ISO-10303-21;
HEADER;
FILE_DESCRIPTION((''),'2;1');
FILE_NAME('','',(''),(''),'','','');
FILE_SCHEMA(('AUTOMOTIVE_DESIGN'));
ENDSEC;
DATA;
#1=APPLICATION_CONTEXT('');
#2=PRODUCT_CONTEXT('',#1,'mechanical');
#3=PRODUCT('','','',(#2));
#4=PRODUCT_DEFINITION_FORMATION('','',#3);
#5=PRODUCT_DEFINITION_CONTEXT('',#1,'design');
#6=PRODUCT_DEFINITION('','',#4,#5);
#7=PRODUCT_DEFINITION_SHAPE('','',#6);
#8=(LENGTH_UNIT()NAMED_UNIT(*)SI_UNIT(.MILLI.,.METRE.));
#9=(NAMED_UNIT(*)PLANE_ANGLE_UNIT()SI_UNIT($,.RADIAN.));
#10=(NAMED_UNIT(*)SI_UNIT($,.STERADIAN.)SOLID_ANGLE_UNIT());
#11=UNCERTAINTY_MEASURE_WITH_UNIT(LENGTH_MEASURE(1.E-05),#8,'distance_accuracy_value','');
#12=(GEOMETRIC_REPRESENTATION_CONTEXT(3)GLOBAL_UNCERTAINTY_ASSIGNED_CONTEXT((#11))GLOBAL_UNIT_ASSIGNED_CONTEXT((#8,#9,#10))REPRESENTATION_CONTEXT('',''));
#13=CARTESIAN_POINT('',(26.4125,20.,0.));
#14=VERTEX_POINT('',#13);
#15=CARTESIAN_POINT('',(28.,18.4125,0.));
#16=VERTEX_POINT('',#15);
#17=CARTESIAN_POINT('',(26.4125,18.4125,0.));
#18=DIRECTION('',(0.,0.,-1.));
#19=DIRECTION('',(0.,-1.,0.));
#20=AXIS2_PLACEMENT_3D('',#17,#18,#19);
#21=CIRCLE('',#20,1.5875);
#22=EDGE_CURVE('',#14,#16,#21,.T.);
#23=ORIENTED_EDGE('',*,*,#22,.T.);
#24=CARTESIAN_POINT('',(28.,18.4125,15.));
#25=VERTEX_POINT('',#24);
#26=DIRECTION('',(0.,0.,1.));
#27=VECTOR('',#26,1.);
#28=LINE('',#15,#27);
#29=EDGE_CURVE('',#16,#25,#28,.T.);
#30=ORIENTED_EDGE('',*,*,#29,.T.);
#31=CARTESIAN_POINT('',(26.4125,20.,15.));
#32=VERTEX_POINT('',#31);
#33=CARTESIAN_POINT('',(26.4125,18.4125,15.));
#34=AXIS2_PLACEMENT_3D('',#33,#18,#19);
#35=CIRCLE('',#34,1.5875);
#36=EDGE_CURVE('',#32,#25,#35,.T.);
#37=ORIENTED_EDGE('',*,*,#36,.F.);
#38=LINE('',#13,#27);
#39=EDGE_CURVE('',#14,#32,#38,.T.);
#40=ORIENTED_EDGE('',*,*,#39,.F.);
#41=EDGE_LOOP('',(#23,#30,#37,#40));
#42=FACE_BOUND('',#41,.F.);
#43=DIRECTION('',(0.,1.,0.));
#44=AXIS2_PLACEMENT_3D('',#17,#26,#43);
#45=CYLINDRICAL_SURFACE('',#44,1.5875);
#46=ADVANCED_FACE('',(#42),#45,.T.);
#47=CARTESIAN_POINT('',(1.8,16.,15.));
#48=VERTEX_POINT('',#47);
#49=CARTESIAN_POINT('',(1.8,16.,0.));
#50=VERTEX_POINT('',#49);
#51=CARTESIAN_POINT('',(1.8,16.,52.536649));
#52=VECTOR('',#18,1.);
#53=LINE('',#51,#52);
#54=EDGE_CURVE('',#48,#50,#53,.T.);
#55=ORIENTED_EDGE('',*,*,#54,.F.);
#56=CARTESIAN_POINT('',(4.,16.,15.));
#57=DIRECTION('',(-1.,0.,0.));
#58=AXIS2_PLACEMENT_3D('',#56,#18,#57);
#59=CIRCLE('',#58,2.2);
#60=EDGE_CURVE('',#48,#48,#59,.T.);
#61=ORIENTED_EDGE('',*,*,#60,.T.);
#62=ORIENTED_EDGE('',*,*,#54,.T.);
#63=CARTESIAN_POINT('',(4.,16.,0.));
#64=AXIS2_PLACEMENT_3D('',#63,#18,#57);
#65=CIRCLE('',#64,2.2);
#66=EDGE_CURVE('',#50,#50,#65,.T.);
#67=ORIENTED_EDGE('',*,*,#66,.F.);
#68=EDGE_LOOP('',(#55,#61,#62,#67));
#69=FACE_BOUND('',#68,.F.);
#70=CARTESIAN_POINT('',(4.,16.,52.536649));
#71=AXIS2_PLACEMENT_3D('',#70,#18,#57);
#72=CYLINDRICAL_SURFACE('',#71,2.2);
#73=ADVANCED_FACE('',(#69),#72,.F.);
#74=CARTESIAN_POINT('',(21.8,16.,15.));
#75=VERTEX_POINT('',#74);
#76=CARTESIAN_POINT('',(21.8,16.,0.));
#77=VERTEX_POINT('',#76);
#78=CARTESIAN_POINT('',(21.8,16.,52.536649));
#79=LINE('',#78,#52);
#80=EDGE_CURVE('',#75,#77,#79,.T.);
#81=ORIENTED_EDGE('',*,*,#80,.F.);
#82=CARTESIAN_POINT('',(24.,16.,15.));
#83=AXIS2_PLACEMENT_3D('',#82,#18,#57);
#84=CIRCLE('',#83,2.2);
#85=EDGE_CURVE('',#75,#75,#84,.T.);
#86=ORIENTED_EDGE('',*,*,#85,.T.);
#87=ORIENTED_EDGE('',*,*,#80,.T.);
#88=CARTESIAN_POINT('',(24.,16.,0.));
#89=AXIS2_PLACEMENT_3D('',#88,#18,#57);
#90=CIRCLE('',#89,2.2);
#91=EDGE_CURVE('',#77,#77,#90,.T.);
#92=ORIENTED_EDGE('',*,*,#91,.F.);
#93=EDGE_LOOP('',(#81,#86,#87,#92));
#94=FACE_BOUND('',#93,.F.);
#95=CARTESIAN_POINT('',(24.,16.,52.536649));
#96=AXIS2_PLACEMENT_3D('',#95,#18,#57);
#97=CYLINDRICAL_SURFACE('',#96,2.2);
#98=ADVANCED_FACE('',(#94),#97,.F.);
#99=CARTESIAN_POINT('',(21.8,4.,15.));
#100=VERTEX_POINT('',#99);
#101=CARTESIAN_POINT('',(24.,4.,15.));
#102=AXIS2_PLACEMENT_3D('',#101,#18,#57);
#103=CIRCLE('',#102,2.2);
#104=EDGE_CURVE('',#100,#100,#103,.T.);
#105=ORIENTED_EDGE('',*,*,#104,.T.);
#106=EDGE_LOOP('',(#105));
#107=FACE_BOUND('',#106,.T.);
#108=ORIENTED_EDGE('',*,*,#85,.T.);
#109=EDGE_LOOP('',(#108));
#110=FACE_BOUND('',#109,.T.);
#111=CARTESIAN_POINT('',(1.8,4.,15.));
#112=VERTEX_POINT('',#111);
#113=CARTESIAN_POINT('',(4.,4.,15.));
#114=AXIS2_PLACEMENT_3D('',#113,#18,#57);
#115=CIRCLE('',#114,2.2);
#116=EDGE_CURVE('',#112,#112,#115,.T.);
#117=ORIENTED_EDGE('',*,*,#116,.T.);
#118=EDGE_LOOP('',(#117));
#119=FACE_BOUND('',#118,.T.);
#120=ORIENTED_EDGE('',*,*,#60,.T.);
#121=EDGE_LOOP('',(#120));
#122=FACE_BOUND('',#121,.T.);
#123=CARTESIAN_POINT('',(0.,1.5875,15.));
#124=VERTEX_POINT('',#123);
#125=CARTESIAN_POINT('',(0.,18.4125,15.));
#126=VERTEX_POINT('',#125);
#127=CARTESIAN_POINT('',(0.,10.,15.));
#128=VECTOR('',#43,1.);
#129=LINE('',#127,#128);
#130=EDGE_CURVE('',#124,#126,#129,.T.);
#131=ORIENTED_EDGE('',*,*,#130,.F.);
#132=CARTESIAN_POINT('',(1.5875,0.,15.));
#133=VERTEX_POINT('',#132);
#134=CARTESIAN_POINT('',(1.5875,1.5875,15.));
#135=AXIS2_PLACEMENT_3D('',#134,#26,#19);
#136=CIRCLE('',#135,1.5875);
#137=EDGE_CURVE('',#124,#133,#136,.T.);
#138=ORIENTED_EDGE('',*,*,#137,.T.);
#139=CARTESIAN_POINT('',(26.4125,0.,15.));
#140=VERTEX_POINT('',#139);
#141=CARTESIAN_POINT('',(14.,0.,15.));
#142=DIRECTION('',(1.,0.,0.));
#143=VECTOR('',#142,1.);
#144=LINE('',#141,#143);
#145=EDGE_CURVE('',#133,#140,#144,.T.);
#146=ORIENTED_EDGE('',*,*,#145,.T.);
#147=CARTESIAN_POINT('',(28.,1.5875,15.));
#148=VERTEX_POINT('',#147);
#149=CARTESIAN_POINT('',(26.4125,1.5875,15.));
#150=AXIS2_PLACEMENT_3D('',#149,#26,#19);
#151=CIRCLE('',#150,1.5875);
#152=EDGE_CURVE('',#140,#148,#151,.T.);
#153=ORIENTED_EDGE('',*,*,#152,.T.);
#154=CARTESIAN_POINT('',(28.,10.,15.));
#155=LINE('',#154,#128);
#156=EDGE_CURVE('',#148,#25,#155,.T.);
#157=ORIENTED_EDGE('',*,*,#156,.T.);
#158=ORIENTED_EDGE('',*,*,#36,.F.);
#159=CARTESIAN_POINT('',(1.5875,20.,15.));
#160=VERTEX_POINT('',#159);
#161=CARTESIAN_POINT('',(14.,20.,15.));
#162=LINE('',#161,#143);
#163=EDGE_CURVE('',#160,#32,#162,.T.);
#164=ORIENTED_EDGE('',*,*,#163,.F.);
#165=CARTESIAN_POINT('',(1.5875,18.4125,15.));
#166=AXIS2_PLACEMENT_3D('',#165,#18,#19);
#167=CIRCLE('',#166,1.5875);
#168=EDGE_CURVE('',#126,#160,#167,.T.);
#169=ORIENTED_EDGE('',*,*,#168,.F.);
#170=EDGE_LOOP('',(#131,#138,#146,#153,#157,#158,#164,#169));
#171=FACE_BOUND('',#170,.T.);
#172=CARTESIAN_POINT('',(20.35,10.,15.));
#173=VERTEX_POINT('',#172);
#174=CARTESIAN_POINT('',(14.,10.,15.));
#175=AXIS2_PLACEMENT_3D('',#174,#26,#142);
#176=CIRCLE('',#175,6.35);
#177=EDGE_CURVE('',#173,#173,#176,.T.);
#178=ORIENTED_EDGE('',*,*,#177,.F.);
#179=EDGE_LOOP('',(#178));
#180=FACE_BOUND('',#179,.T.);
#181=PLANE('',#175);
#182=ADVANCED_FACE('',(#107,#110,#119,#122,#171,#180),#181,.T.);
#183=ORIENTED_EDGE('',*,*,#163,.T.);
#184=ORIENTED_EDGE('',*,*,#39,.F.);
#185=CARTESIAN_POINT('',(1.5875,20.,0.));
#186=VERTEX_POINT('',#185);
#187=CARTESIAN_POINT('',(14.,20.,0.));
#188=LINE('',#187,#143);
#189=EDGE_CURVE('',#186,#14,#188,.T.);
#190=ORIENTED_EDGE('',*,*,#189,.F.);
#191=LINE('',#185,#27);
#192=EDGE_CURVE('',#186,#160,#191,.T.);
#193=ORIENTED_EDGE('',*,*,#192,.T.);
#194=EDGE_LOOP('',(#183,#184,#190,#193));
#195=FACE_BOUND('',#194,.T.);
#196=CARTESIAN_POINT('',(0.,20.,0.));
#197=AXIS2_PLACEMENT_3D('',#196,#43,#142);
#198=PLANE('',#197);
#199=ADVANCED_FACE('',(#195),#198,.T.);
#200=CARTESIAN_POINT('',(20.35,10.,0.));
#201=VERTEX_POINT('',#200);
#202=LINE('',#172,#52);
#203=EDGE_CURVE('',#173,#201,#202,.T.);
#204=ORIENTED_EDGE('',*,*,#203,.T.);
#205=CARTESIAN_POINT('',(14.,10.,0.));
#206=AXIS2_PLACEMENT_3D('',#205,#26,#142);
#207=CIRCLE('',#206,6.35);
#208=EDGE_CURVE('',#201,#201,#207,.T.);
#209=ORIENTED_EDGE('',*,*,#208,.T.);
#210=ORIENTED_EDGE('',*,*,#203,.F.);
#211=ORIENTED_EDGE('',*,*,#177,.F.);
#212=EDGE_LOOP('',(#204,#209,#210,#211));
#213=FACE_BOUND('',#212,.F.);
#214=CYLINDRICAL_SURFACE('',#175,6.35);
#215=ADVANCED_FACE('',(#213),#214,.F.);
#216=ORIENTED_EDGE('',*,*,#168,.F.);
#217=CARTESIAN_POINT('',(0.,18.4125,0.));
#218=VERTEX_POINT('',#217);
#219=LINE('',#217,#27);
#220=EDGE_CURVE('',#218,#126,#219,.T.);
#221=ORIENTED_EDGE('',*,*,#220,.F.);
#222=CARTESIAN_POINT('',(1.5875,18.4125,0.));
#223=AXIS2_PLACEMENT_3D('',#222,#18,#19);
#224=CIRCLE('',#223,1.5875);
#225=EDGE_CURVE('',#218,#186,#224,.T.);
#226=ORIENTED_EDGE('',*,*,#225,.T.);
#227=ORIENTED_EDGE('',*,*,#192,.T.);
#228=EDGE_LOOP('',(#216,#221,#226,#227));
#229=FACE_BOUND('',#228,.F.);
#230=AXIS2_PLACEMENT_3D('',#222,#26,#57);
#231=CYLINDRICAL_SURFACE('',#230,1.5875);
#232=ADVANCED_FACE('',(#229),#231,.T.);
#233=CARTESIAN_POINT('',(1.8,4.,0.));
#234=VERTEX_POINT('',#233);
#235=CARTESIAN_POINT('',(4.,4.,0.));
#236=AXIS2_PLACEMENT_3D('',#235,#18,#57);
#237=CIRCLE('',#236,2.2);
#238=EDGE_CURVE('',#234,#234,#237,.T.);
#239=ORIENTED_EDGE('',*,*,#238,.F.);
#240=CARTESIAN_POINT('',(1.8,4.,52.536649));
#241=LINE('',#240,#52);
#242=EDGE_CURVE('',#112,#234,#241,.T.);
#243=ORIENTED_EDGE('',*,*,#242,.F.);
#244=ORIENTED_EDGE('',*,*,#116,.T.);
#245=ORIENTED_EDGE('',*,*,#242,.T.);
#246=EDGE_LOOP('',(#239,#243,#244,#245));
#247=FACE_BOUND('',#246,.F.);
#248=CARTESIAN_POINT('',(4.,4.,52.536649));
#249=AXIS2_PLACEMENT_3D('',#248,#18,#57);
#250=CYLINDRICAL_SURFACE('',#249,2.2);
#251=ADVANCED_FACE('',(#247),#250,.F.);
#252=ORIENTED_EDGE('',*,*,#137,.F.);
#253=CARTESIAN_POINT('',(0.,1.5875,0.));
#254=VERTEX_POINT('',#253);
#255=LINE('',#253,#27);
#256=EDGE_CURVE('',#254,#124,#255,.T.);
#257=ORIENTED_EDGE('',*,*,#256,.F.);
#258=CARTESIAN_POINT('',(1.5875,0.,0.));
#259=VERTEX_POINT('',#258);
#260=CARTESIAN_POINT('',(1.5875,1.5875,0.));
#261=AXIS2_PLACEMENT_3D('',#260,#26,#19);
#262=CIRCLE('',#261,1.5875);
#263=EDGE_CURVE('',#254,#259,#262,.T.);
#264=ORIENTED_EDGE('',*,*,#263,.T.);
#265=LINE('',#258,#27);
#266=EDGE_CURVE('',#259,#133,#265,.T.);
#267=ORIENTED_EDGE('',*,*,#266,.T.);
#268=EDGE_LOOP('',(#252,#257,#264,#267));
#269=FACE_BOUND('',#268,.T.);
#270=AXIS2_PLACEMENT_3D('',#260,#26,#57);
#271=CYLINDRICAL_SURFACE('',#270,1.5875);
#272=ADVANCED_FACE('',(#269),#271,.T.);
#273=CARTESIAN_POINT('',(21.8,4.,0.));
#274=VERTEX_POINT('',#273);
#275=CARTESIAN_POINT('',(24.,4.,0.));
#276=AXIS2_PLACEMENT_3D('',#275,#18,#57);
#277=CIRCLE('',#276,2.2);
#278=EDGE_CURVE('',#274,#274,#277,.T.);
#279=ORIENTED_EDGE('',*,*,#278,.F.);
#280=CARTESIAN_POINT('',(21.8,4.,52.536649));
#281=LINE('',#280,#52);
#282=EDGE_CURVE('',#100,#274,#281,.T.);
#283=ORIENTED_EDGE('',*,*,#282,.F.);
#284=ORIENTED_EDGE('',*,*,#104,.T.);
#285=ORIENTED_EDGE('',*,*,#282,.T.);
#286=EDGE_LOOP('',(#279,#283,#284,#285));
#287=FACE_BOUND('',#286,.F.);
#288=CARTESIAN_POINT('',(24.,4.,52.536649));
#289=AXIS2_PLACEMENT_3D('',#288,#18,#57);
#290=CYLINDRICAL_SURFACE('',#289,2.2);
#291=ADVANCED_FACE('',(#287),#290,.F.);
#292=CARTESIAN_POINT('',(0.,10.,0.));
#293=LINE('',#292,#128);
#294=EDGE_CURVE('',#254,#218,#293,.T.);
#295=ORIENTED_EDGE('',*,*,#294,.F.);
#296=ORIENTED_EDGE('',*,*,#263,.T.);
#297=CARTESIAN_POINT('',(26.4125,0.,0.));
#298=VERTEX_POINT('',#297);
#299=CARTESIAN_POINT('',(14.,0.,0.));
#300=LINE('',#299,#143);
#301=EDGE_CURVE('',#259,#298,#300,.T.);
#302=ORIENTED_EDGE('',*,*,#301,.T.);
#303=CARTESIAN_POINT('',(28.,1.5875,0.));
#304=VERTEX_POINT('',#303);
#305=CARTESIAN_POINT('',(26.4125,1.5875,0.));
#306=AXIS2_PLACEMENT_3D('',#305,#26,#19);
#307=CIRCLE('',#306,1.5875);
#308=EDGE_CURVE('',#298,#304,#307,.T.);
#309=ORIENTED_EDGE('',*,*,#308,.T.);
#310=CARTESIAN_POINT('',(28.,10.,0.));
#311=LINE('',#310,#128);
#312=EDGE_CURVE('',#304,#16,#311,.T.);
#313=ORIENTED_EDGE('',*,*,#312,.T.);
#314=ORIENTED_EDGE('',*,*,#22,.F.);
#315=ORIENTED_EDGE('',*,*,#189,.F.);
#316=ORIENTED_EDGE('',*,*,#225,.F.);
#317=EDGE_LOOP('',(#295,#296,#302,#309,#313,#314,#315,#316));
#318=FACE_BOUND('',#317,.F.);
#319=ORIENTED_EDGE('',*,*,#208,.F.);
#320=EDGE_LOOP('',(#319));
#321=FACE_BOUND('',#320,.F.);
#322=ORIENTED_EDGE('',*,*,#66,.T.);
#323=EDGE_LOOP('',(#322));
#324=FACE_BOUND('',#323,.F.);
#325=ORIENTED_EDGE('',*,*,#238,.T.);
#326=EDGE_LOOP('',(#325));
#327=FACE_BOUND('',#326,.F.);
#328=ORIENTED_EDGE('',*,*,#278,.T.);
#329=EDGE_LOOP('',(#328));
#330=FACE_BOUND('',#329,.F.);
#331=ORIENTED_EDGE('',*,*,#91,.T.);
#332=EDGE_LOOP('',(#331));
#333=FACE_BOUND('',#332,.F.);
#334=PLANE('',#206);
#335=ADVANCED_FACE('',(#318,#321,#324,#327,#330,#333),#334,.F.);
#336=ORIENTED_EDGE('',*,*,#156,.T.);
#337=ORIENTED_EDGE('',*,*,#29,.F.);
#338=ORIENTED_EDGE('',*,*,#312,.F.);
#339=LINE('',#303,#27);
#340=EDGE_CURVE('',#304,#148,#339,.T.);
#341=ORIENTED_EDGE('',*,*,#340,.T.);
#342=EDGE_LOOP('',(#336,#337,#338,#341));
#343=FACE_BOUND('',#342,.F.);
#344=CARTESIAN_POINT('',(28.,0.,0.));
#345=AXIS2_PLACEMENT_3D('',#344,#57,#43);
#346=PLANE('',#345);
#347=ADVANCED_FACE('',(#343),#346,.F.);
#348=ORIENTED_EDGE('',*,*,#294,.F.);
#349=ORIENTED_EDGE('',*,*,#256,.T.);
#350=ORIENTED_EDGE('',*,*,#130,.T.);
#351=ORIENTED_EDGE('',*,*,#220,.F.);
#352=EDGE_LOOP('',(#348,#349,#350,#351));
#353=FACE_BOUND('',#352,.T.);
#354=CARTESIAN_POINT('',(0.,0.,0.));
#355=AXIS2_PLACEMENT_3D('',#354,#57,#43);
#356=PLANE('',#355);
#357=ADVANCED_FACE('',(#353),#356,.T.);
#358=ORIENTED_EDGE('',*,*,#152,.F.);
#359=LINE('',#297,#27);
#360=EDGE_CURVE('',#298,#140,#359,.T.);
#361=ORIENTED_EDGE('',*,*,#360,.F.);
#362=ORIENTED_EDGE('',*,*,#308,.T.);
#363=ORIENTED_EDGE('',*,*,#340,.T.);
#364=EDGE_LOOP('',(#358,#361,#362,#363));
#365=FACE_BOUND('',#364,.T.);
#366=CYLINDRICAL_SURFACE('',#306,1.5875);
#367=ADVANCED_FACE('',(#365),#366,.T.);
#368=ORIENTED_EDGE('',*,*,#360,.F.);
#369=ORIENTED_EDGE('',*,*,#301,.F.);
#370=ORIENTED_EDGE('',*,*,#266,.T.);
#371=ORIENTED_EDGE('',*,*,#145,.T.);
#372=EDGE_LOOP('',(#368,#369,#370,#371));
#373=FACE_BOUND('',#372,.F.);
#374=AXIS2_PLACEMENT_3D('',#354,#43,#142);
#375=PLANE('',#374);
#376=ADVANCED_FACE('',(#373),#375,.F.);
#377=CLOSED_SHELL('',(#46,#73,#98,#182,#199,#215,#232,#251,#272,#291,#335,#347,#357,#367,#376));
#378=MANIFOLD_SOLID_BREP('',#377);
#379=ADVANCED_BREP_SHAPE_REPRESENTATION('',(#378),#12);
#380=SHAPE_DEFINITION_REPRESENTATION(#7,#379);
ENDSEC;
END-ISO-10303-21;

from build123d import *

# Parameters (mm, degrees)
F0_W     = 28
F0_H     = 20
F1_DEPTH = 15
F3_D     = 4.4
F4_R     = 6.35
F5_DEPTH = 15.001
F6_R     = 1.5875


with BuildPart() as f1:
    # F0 (on Top) → F1 (new body)
    with BuildSketch(Plane.XY):
        with Locations((14, 10)):
            Rectangle(F0_W, F0_H)
    extrude(amount=F1_DEPTH)

    # F3 (through all)
    with Locations(Plane.XY.offset(15)):
        with Locations((4, 16), (4, 4), (24, 4), (24, 16)):
            Hole(F3_D / 2)

    # F4 (on face) → F5 (cut, through all)
    with BuildSketch(Plane.XY.offset(15)):
        with Locations((14, 10)):
            Circle(F4_R)
    extrude(amount=-F5_DEPTH, mode=Mode.SUBTRACT)

    # F6
    f6_edges = [f1.edges().sort_by_distance(p)[0] for p in [
        (0, 0, 7.5),
        (28, 0, 7.5),
        (28, 20, 7.5),
        (0, 20, 7.5),
    ]]
    fillet(f6_edges, radius=F6_R)


solid = f1.part
